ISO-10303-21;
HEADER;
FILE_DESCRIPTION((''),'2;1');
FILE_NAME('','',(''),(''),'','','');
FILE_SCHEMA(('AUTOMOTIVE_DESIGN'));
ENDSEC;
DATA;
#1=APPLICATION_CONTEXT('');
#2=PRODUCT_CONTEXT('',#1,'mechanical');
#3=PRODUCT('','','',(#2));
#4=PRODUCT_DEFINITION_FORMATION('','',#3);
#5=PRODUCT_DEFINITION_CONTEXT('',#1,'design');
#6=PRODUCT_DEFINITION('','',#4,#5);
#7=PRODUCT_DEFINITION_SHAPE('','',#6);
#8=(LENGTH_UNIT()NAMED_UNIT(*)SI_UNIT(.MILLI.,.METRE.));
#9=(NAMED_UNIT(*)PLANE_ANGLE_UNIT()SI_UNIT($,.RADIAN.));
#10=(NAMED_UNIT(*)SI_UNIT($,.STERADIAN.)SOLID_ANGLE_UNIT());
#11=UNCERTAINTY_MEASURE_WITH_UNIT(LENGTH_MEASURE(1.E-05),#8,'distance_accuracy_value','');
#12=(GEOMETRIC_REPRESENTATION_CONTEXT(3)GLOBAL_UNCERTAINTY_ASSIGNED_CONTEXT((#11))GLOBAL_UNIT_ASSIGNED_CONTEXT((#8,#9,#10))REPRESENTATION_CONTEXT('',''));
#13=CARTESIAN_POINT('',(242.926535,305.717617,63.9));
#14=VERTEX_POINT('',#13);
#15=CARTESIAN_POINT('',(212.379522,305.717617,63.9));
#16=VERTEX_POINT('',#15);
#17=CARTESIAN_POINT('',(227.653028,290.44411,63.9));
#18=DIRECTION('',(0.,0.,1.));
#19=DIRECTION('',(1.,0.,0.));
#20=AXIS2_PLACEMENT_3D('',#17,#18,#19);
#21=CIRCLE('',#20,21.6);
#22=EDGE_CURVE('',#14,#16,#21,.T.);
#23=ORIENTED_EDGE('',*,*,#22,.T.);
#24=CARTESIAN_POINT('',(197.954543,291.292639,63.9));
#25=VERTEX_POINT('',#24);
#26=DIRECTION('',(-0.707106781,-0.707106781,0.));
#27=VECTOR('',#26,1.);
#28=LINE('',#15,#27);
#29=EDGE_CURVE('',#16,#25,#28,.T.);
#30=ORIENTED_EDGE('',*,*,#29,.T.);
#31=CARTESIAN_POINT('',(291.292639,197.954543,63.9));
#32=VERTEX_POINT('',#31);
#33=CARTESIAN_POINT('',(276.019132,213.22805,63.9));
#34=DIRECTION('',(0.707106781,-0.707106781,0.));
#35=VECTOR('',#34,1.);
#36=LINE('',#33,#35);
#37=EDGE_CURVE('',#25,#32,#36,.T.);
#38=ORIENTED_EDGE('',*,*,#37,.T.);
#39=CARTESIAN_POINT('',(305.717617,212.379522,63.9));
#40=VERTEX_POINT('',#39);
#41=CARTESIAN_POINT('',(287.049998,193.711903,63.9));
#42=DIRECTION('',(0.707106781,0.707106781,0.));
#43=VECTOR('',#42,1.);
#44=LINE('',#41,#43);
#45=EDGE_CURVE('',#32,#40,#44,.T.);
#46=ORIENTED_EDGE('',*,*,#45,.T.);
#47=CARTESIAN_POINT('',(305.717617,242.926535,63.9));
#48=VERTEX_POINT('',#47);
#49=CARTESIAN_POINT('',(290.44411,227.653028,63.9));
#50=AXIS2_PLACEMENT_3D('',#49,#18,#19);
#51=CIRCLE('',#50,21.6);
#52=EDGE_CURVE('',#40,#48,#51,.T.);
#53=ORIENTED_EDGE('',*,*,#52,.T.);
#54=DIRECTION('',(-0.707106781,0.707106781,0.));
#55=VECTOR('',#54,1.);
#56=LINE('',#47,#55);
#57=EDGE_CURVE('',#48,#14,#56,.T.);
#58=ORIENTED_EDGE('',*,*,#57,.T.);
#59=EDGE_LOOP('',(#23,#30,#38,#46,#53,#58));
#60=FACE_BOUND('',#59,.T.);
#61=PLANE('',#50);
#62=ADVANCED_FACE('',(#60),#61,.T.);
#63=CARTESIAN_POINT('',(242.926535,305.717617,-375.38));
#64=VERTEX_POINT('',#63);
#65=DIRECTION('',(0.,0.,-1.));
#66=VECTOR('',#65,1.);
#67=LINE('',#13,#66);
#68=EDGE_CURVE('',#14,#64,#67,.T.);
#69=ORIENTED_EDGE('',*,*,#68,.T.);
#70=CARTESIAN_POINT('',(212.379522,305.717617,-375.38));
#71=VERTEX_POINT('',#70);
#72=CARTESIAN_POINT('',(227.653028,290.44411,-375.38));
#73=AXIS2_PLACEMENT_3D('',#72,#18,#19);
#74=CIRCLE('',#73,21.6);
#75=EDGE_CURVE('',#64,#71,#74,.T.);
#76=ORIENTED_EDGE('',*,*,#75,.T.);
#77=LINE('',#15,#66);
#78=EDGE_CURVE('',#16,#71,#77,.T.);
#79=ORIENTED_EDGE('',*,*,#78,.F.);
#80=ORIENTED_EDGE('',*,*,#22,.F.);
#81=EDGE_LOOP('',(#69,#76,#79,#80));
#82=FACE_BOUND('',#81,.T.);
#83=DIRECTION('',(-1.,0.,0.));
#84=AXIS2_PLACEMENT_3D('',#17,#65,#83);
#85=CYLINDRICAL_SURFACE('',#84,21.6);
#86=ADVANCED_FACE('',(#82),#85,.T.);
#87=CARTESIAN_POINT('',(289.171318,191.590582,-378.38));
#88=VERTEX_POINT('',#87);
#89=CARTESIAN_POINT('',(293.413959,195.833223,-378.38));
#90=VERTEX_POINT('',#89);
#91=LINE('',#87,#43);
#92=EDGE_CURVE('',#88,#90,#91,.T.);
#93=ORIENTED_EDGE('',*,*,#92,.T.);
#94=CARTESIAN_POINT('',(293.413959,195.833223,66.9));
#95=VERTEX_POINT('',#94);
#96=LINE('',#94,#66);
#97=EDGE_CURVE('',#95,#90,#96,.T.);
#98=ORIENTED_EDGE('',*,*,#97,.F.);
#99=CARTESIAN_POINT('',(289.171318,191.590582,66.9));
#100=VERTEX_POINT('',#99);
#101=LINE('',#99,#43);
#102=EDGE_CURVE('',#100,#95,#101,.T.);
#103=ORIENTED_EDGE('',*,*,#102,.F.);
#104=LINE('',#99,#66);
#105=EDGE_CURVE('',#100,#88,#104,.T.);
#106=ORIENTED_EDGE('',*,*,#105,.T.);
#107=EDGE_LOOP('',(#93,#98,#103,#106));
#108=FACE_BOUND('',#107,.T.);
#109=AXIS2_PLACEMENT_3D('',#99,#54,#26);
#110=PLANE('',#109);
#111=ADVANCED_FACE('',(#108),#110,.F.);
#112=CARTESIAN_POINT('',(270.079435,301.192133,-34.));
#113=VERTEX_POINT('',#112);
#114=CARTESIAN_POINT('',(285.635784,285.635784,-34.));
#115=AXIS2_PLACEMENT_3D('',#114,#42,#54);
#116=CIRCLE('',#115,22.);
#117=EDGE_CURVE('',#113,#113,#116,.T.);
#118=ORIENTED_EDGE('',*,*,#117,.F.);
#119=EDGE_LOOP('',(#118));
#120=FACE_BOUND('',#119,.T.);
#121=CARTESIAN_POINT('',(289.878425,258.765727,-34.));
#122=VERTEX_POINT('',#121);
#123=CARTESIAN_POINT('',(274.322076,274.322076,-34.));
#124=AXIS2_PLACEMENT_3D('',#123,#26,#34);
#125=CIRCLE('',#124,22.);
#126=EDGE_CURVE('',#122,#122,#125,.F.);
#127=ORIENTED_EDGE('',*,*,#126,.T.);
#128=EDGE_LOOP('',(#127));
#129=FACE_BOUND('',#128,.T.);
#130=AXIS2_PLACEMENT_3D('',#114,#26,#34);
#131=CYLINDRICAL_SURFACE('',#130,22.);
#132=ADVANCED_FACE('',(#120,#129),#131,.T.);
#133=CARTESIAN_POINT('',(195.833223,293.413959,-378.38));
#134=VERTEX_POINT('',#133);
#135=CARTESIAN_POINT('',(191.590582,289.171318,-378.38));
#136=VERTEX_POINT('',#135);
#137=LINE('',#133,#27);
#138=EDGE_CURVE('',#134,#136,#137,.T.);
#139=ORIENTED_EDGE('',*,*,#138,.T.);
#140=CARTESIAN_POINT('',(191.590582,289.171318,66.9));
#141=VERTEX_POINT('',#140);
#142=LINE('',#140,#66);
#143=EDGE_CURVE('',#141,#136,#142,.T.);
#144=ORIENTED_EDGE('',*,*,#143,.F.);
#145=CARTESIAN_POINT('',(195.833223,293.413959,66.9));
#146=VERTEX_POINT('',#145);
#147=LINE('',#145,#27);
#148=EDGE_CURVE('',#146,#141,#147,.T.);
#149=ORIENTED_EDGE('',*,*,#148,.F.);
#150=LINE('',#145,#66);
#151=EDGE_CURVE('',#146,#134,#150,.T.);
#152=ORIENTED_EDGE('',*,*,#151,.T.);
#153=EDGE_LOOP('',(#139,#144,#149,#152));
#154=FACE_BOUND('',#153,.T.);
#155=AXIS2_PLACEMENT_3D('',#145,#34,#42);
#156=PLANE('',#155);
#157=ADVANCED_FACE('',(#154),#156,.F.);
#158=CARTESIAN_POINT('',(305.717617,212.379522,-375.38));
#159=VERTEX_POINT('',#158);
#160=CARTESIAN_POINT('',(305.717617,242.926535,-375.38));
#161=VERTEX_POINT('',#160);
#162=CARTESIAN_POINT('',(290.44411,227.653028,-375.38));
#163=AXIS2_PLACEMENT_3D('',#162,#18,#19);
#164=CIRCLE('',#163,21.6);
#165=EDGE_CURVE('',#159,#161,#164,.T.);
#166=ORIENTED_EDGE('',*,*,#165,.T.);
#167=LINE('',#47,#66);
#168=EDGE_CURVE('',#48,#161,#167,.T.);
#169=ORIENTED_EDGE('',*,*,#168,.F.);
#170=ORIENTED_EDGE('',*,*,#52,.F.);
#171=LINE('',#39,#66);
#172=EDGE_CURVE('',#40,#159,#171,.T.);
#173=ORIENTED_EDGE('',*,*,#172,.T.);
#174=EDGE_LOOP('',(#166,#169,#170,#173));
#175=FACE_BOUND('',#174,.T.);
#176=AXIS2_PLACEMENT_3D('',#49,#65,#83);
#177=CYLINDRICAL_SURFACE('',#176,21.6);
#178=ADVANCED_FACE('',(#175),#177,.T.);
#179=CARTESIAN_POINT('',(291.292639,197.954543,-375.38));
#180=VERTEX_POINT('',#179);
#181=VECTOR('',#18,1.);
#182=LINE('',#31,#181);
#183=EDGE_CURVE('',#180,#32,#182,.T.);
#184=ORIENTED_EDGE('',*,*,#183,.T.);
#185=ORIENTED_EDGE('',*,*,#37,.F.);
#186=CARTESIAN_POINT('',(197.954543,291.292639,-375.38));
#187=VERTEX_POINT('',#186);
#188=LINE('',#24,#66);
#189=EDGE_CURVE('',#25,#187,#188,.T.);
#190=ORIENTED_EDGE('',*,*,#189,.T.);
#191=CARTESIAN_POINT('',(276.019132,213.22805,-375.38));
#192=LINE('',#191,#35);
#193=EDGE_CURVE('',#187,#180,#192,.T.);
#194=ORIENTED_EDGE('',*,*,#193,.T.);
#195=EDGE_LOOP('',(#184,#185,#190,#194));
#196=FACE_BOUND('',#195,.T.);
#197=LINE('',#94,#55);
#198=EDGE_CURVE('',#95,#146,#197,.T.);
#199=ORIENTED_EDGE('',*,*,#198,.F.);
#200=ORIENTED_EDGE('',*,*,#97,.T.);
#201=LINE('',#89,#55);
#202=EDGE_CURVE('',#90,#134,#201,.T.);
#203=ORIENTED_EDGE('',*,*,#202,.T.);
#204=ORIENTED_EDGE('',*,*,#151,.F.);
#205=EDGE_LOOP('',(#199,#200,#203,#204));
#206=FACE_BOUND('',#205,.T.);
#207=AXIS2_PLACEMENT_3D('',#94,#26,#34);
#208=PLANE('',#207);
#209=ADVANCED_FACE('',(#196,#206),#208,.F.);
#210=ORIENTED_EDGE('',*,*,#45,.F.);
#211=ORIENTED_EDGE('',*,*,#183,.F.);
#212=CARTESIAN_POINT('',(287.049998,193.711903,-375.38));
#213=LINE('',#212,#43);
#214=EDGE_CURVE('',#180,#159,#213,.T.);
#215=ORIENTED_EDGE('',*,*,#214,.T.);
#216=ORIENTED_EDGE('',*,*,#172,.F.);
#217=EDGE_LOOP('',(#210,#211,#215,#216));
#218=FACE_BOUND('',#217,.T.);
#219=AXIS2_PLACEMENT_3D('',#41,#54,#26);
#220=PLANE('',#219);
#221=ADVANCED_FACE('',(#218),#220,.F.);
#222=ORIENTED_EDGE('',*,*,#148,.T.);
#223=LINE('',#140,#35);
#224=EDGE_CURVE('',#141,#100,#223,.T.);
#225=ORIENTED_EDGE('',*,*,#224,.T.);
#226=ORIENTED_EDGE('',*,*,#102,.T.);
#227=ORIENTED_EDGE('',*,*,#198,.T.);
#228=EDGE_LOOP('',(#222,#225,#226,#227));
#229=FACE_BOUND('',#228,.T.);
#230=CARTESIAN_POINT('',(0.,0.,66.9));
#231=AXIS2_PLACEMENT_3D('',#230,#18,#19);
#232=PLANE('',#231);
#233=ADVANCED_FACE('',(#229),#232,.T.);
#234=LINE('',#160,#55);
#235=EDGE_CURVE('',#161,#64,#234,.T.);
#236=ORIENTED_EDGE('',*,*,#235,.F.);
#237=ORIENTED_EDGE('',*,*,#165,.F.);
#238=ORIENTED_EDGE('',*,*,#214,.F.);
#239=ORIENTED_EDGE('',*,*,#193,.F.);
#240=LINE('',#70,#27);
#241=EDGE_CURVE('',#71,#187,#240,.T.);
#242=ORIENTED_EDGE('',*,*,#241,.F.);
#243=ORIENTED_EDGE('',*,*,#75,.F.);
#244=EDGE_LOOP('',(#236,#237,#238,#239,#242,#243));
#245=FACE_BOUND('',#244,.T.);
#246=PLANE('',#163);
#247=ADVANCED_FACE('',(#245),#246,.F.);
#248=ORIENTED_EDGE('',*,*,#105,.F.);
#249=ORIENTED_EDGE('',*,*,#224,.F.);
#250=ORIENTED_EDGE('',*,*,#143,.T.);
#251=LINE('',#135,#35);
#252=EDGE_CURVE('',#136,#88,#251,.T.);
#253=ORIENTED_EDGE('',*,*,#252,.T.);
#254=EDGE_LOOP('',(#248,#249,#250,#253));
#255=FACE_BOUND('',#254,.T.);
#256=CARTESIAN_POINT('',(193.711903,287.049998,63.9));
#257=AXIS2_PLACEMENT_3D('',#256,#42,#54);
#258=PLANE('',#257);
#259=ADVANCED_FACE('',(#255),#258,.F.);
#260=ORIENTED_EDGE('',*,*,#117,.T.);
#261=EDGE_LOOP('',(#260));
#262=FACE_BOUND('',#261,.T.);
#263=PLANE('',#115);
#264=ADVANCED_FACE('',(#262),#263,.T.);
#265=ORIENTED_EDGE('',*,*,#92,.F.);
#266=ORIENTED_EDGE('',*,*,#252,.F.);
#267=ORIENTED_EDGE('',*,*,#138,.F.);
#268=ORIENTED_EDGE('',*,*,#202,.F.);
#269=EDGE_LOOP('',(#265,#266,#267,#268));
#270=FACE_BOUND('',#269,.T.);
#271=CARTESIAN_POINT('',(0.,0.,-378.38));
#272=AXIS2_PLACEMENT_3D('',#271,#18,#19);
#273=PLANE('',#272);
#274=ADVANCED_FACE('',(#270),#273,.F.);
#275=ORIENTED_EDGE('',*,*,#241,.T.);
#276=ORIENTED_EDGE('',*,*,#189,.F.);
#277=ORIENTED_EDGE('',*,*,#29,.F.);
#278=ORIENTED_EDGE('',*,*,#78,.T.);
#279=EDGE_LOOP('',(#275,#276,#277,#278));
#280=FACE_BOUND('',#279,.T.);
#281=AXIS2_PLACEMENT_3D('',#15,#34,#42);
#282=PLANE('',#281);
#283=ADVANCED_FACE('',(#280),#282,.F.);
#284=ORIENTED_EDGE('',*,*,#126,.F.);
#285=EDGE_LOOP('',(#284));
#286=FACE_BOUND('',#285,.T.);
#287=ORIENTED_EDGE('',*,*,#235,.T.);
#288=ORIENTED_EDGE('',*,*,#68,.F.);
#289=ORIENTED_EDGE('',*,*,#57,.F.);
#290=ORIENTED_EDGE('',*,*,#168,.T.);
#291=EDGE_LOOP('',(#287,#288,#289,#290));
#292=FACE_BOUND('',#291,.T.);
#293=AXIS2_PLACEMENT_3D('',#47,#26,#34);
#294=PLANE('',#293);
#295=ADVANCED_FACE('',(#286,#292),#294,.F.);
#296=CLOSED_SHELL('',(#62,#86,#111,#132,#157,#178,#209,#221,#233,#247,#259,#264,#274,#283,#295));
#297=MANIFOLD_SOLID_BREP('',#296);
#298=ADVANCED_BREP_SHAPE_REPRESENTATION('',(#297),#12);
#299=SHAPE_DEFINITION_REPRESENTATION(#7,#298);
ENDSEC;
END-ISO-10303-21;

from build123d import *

# Parameters (mm, degrees)
COVER_START          = -375.38
COVER_DEPTH          = 439.28
RAIL_START           = -378.38
RAIL_FLANGE_DEPTH    = 445.28
SKETCH3_R            = 22
OIL_FILLER_CAP_DEPTH = 16


with BuildPart() as part:
    # Sketch1 → Cover (new body)
    with BuildSketch(Plane.XY.offset(COVER_START)):
        with BuildLine():
            Line((193.711902706, 287.049997823), (287.049997823, 193.711902706))
            Line((287.049997823, 193.711902706), (305.717616846, 212.379521729))
            ThreePointArc((305.717616846, 212.379521729), (312.044110372, 227.653028203), (305.717616846, 242.926534677))
            Line((305.717616846, 242.926534677), (242.926534677, 305.717616846))
            ThreePointArc((242.926534677, 305.717616846), (227.653028203, 312.044110372), (212.379521729, 305.717616846))
            Line((212.379521729, 305.717616846), (193.711902706, 287.049997823))
        make_face()
    extrude(amount=COVER_DEPTH)

    # Sketch2 → Rail Flange (add)
    with BuildSketch(Plane.XY.offset(RAIL_START)):
        Polygon((191.590582362, 289.171318166), (289.171318166, 191.590582362), (293.413958853, 195.83322305), (195.83322305, 293.413958853), align=None)
    extrude(amount=RAIL_FLANGE_DEPTH)

    # Sketch3 → Oil Filler Cap (add)
    with BuildSketch(Plane(origin=(274.322075761, 274.322075761, 0), x_dir=(0, 0, -1), z_dir=(0.7071067811865477, 0.7071067811865475, 0))):
        with Locations(Location((34, 0, 0), (0, 0, 270))):
            Circle(SKETCH3_R)
    extrude(amount=OIL_FILLER_CAP_DEPTH)


solid = part.part
